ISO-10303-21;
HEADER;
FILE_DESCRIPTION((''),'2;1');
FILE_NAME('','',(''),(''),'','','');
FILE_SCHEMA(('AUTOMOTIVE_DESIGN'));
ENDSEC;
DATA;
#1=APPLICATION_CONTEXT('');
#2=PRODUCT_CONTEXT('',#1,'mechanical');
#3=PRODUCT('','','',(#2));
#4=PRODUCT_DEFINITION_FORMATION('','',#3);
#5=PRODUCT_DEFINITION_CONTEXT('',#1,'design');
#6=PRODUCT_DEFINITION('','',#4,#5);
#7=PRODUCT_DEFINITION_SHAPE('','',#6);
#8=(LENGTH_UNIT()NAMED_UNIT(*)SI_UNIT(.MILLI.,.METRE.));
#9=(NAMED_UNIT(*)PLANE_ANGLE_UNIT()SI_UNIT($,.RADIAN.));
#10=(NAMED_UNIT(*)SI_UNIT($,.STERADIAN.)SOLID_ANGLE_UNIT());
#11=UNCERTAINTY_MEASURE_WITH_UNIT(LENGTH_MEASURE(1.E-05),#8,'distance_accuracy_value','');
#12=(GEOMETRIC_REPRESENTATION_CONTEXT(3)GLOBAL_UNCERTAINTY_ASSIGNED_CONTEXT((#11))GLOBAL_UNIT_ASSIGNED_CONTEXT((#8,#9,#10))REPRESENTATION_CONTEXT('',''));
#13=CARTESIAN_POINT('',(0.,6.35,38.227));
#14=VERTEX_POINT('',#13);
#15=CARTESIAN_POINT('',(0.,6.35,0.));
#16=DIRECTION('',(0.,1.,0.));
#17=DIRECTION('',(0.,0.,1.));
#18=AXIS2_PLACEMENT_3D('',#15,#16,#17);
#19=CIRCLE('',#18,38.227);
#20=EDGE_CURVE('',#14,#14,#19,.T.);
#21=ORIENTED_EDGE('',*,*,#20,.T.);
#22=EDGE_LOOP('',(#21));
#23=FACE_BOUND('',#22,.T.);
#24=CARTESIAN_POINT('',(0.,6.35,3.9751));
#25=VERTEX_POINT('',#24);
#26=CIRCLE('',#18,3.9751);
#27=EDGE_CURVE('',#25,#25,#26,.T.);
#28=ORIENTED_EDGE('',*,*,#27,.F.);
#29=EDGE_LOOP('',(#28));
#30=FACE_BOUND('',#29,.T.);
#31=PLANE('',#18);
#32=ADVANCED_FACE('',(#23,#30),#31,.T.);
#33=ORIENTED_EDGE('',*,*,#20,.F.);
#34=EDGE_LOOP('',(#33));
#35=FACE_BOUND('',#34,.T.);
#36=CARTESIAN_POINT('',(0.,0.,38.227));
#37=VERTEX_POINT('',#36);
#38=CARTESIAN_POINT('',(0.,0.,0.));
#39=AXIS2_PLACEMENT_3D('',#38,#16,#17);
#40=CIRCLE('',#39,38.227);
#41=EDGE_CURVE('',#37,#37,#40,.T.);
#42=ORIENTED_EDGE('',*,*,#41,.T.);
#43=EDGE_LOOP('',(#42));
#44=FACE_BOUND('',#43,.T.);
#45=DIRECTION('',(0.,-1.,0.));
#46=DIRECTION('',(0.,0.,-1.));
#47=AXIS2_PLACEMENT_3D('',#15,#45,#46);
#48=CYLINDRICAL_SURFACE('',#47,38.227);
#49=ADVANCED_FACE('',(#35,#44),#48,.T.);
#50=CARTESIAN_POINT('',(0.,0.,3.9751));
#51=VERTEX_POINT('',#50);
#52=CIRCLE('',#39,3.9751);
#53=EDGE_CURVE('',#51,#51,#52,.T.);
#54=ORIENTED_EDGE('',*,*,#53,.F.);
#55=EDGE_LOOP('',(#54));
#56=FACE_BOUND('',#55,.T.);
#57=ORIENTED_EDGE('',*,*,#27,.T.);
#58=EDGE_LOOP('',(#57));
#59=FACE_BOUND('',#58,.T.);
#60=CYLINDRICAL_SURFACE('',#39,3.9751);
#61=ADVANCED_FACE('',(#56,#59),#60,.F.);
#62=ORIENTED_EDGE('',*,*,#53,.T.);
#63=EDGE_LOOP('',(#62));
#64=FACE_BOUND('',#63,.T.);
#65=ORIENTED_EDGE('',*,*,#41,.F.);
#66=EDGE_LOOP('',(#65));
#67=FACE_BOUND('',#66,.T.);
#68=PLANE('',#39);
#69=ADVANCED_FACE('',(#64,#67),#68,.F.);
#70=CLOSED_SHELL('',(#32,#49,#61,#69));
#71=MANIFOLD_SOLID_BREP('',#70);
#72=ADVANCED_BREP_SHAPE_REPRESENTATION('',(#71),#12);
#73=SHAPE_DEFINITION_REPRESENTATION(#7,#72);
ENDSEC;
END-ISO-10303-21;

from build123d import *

# Parameters (mm, degrees)
SKETCH1_R           = 38.227
BOSS_EXTRUDE1_DEPTH = 6.35
SKETCH2_R           = 3.9751
CUT_EXTRUDE1_DEPTH  = 7.35


with BuildPart() as part:
    # Sketch1 → Boss-Extrude1 (new body)
    with BuildSketch(Plane(origin=(0, 0, 0), x_dir=(1, 0, 0), z_dir=(0, 1, 0))):
        Circle(SKETCH1_R)
    extrude(amount=BOSS_EXTRUDE1_DEPTH)

    # Sketch2 → Cut-Extrude1 (cut, through all)
    with BuildSketch(Plane(origin=(0, 6.35, 0), x_dir=(1, 0, 0), z_dir=(0, 1, 0))):
        Circle(SKETCH2_R)
    extrude(amount=-CUT_EXTRUDE1_DEPTH, mode=Mode.SUBTRACT)


solid = part.part
